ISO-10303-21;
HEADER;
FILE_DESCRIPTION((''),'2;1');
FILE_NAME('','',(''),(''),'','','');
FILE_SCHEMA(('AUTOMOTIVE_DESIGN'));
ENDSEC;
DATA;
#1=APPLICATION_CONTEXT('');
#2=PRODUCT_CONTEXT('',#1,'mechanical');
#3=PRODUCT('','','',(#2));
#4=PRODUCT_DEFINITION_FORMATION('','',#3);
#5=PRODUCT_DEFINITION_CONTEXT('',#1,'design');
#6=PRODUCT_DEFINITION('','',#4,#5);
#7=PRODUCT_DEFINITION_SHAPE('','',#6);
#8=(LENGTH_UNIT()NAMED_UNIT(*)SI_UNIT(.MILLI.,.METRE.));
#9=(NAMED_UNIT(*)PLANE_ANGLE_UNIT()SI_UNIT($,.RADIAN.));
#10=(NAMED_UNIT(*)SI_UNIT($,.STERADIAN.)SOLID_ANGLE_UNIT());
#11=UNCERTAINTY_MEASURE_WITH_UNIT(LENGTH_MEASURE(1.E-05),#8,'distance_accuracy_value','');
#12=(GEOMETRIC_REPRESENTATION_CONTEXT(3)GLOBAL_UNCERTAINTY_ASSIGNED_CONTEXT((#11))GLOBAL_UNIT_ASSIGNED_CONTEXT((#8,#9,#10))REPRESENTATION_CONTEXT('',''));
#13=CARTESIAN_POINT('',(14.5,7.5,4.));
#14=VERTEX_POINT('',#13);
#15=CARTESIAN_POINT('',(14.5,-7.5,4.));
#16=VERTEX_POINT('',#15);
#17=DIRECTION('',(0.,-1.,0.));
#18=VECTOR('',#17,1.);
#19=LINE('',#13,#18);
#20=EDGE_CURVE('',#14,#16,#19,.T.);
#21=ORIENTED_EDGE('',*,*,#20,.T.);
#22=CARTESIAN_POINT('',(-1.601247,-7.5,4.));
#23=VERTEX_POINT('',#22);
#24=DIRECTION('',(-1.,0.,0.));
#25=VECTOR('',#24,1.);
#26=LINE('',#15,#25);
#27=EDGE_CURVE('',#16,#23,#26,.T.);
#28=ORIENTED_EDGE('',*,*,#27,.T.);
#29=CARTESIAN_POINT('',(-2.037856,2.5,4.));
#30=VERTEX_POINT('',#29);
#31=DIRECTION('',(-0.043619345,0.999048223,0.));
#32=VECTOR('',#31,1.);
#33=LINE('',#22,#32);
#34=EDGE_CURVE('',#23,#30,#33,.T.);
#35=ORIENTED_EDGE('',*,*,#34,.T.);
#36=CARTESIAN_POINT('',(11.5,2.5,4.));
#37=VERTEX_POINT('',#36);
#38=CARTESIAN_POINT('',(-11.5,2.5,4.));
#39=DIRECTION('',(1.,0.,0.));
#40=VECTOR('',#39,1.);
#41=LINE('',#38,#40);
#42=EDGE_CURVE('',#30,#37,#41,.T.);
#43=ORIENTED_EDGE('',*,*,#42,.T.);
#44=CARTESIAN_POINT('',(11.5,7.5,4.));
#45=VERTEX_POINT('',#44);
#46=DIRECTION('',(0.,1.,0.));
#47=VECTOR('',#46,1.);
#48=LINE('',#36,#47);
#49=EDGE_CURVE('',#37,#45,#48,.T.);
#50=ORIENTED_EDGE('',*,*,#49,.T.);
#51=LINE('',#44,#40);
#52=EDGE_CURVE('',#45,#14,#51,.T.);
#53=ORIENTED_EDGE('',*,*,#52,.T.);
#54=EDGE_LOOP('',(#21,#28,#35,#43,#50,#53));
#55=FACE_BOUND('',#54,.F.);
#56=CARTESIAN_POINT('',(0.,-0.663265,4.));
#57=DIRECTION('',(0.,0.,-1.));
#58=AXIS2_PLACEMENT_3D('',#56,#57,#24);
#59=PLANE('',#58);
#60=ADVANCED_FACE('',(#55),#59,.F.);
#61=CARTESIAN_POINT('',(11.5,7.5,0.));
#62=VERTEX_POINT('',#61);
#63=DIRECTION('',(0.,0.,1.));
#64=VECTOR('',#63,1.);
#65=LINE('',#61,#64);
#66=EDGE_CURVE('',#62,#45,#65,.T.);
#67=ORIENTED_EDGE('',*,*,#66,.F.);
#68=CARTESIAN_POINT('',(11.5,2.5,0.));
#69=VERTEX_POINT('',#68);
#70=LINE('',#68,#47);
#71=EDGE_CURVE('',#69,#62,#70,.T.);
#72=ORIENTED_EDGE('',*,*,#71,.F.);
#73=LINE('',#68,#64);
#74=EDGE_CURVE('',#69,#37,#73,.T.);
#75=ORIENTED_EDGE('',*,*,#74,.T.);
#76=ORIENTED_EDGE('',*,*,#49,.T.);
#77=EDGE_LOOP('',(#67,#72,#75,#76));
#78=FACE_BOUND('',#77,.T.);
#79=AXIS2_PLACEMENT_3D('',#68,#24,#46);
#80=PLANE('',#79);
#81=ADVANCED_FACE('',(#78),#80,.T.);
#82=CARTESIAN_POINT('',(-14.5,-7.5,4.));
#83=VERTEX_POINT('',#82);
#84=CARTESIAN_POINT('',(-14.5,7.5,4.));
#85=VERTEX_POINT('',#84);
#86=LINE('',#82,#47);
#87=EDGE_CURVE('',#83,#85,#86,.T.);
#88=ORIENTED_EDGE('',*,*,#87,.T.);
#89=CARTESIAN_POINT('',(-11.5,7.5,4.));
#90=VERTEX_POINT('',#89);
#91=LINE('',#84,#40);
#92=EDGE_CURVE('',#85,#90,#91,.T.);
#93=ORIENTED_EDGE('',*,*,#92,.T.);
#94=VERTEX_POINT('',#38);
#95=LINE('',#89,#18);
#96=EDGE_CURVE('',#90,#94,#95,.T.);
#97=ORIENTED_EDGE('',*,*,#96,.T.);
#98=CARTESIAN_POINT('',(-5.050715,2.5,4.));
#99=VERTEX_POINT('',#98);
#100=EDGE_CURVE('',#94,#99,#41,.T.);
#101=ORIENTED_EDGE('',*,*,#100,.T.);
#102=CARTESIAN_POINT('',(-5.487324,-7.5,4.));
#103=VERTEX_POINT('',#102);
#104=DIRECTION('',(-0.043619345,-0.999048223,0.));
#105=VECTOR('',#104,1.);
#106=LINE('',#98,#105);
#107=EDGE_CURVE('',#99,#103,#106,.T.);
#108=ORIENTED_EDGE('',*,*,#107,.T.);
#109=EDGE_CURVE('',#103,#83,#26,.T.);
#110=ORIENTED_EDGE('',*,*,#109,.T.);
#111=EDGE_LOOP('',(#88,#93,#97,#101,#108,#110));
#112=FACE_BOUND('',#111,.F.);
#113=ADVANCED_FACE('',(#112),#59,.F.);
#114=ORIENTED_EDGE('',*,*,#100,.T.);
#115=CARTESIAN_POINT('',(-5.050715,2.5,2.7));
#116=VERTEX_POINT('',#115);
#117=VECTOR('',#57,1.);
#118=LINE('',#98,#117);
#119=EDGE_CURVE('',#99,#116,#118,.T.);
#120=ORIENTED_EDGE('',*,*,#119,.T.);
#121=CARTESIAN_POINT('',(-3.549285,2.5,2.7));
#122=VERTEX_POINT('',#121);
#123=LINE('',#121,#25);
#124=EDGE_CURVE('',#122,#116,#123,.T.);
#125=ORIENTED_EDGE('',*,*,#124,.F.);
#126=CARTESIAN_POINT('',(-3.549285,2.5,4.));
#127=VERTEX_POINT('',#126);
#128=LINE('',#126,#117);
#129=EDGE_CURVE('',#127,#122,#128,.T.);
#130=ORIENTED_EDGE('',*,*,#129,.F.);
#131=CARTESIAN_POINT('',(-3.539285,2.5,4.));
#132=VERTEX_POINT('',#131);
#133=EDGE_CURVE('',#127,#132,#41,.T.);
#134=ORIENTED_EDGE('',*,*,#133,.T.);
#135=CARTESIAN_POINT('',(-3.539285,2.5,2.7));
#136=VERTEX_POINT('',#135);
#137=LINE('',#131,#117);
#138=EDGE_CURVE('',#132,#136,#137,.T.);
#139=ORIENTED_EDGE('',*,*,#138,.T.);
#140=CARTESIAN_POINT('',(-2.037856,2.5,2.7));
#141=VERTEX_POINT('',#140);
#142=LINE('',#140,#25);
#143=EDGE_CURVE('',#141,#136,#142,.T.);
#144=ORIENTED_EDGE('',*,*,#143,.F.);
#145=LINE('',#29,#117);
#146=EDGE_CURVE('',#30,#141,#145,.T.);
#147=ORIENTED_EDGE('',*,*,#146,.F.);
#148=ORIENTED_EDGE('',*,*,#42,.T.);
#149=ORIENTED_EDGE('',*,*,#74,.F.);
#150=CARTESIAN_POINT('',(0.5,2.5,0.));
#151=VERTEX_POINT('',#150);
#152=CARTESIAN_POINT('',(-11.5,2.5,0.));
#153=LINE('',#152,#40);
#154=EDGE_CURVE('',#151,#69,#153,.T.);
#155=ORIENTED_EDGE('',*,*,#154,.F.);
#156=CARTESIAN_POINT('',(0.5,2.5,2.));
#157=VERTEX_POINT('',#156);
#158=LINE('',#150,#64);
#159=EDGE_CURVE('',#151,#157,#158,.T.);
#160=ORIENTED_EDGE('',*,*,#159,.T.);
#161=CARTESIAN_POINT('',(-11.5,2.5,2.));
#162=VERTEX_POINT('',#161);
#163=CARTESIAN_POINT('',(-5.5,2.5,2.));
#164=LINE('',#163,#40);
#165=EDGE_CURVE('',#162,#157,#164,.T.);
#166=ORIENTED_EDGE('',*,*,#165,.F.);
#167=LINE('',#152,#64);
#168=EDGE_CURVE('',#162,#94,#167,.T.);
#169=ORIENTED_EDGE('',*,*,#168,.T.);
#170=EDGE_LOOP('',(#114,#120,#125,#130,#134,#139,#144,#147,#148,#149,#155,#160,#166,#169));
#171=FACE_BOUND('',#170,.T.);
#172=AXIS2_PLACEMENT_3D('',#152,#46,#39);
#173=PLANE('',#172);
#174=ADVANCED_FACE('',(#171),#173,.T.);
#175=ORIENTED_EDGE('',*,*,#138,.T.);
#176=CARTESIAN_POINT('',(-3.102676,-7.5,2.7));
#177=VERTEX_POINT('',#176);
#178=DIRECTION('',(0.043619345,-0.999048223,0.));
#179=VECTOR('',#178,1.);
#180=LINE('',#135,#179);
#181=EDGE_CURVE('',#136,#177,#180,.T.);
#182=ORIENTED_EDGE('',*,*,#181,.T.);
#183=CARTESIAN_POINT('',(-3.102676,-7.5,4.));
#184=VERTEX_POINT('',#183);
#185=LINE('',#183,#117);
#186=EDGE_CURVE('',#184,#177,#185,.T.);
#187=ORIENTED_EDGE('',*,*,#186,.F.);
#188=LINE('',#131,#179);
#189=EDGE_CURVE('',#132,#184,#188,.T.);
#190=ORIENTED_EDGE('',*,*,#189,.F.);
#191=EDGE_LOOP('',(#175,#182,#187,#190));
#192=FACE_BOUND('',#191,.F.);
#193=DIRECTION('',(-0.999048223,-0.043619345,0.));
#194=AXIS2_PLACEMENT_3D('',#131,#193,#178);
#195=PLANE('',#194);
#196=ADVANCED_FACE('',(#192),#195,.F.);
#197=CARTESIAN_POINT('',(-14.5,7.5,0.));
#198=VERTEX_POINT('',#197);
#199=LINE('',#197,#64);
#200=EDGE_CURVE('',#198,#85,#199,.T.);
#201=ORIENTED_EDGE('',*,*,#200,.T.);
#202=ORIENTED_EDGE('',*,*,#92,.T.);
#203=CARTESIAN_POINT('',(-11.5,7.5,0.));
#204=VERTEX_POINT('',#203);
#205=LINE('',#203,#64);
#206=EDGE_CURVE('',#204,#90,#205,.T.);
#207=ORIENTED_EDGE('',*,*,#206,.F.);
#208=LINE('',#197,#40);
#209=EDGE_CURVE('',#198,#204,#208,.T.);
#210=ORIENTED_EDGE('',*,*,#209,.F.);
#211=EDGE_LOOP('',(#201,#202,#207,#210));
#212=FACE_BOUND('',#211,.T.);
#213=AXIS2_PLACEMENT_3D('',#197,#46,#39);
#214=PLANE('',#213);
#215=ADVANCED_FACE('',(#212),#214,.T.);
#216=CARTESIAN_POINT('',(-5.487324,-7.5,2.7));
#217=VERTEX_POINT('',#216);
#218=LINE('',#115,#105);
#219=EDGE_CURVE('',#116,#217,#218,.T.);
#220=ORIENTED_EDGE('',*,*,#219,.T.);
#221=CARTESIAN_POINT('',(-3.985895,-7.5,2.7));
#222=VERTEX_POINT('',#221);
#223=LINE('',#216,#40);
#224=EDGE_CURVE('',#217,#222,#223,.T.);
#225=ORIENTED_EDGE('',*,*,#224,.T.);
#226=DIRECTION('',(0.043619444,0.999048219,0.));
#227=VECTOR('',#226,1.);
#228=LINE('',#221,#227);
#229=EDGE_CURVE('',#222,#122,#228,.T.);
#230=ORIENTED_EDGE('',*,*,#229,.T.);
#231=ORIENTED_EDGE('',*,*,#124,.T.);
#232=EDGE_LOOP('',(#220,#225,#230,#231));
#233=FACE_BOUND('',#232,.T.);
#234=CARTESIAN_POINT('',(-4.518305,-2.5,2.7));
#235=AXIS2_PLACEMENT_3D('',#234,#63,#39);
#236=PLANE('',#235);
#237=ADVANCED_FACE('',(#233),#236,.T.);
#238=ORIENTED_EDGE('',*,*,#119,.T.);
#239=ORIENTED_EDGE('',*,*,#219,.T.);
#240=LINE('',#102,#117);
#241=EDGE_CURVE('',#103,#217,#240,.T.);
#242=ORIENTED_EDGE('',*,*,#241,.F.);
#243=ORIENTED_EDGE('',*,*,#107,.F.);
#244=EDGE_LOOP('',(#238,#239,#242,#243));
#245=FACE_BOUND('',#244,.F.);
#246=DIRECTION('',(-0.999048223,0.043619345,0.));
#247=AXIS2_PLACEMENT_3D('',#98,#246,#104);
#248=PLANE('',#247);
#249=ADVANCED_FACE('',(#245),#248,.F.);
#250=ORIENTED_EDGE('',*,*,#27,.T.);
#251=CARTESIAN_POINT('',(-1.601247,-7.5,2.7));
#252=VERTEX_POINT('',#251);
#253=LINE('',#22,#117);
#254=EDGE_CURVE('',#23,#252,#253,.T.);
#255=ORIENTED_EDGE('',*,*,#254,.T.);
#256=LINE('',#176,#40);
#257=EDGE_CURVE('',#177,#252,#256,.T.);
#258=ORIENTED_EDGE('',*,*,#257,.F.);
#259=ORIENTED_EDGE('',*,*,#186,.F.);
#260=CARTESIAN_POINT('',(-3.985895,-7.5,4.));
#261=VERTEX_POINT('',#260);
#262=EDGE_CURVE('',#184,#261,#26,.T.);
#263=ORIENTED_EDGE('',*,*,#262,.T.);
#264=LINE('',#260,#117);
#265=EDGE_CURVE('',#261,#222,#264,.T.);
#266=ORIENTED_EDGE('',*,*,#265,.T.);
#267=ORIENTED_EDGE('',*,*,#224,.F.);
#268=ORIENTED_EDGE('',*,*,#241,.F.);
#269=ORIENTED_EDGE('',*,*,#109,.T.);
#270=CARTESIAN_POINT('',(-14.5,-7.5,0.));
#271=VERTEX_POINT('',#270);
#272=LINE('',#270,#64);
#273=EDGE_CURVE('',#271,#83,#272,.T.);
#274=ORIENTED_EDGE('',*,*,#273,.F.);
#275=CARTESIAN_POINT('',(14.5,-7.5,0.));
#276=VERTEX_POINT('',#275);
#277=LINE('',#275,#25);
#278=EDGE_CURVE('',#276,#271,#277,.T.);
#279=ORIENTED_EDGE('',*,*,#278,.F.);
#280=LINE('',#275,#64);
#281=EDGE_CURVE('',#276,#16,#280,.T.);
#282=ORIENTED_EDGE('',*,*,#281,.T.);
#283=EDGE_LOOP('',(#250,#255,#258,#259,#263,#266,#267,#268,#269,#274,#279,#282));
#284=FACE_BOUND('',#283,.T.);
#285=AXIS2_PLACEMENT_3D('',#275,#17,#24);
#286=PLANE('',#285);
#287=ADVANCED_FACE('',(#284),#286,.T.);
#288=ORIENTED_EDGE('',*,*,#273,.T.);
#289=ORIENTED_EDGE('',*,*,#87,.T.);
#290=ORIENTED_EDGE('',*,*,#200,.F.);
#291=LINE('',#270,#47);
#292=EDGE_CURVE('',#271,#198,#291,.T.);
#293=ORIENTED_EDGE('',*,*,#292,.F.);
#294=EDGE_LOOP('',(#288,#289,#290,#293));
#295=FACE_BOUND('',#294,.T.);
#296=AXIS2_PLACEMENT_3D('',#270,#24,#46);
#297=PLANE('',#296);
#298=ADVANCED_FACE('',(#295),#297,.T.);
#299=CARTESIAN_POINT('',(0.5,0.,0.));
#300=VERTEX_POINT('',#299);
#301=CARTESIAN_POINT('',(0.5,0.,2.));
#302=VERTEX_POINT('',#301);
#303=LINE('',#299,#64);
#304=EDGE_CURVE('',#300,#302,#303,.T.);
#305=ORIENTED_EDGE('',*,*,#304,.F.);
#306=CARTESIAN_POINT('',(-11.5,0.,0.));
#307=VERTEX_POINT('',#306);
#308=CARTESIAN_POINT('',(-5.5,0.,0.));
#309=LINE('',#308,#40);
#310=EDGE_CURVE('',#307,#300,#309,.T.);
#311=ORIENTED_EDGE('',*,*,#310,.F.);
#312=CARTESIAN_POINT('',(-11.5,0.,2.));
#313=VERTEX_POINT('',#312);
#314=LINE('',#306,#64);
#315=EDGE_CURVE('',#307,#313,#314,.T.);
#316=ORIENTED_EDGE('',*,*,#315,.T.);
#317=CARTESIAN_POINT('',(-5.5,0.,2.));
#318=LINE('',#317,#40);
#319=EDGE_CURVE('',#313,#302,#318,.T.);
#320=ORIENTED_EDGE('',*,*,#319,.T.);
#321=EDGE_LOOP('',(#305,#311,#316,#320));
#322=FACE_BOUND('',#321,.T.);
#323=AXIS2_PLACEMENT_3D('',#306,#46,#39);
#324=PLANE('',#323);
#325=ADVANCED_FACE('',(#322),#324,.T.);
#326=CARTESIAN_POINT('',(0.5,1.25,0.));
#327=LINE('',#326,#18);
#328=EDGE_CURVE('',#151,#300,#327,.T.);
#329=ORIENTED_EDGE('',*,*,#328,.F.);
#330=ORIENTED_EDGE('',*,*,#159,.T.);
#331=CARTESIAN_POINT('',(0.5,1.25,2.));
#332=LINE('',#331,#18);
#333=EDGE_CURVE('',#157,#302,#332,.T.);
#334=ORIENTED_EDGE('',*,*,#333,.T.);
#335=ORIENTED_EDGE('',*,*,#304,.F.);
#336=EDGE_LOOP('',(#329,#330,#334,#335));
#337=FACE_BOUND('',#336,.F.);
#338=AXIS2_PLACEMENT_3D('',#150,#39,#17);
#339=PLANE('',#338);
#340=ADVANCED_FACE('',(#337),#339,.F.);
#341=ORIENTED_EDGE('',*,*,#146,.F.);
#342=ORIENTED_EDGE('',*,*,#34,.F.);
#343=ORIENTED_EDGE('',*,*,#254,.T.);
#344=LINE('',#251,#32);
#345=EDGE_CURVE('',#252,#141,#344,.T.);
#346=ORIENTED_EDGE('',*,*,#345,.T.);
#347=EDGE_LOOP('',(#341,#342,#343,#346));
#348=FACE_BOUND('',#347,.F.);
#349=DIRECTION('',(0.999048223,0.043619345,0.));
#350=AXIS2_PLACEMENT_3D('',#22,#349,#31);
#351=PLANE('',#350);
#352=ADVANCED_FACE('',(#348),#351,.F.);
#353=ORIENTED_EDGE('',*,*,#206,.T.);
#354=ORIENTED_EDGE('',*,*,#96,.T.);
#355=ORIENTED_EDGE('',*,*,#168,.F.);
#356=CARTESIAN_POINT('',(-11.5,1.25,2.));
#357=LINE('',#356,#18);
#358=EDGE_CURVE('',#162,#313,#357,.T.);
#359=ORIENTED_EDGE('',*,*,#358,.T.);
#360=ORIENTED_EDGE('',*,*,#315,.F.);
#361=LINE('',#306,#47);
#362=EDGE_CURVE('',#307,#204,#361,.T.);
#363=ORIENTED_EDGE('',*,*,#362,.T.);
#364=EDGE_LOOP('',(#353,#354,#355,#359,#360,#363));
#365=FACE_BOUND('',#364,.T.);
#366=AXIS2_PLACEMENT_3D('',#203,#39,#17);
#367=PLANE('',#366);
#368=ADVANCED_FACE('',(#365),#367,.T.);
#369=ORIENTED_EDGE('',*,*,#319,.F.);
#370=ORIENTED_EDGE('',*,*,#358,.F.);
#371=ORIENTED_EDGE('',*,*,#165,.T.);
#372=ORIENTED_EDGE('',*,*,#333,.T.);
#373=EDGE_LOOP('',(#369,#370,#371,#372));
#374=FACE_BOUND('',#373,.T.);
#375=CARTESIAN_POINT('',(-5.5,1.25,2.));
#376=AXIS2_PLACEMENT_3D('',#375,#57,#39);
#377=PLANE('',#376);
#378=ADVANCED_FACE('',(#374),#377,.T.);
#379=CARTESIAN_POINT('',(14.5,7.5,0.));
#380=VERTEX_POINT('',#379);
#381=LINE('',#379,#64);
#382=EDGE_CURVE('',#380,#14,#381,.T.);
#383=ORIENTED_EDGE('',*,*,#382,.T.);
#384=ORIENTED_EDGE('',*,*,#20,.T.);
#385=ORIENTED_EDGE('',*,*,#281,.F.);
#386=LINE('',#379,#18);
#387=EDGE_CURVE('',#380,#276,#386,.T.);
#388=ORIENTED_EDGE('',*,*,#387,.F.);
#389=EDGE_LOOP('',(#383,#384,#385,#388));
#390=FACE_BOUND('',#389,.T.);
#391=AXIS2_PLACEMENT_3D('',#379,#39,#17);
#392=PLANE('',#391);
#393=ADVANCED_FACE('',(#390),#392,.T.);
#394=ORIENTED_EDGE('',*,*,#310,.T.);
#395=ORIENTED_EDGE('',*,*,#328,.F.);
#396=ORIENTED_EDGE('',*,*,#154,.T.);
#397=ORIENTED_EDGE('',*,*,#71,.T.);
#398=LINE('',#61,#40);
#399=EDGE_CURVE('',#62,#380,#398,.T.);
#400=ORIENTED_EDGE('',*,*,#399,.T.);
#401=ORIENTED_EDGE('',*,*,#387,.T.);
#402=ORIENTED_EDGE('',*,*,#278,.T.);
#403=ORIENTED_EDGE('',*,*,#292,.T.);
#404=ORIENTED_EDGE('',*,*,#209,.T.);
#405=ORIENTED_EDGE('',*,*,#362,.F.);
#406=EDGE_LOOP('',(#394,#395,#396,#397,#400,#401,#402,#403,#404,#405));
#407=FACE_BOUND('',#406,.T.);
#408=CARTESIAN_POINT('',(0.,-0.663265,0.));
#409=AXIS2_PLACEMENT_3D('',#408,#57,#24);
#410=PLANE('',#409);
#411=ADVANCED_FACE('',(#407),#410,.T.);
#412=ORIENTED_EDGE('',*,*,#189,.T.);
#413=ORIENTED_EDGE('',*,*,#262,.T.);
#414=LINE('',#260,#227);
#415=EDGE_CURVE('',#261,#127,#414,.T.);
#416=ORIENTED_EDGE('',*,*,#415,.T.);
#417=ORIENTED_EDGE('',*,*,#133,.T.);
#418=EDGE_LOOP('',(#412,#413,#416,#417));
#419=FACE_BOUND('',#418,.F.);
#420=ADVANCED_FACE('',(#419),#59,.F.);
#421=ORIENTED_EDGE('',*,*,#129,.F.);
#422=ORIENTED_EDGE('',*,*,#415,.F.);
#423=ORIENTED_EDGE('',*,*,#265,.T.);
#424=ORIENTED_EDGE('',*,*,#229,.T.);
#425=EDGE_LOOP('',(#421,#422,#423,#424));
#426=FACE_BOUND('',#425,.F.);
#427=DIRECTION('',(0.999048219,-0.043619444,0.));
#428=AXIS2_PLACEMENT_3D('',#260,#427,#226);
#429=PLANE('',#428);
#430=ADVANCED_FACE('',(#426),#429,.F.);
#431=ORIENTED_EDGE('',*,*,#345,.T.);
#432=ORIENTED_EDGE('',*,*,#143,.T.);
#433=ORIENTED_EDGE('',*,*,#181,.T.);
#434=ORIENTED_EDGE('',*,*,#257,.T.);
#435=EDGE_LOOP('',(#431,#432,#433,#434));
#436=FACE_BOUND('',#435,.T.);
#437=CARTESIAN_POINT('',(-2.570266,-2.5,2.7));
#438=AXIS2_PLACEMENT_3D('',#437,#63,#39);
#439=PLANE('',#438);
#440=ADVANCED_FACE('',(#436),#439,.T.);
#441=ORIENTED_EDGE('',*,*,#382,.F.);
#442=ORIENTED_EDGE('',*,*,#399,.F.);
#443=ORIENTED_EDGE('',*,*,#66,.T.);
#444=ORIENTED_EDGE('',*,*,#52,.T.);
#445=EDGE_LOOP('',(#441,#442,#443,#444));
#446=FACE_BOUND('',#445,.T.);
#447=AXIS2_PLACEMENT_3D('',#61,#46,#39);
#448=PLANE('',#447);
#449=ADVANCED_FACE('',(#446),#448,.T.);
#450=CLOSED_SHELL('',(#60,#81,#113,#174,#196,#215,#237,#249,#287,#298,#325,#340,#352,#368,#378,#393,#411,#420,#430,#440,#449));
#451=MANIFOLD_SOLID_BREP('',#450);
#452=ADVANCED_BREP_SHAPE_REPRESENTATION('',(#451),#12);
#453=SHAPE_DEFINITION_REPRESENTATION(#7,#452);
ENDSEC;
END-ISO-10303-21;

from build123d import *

# Parameters (mm, degrees)
PAD_DEPTH       = 4
SKETCH001_W     = 12
SKETCH001_H     = 2.5
POCKET_DEPTH    = 2
POCKET001_DEPTH = 1.3


with BuildPart() as part:
    # Sketch → Pad (new body)
    with BuildSketch(Plane.XY):
        Polygon((-14.5, 7.5), (-11.5, 7.5), (-11.5, 2.5), (11.5, 2.5), (11.5, 7.5), (14.5, 7.5), (14.5, -7.5), (-14.5, -7.5), align=None)
    extrude(amount=PAD_DEPTH)

    # Sketch001 (on Face9 of Pad) → Pocket (cut)
    with BuildSketch(Plane(origin=(0, 0, 0), x_dir=(1, 0, 0), z_dir=(0, 0, -1))):
        with Locations((-5.5, -1.25)):
            Rectangle(SKETCH001_W, SKETCH001_H)
    extrude(amount=-POCKET_DEPTH, mode=Mode.SUBTRACT)

    # Sketch002 (on Face5 of Pocket) → Pocket001 (cut)
    with BuildSketch(Plane.XY.offset(4)):
        Polygon((-5.050715, 2.5), (-5.487324, -7.5), (-3.985895, -7.5), (-3.549285, 2.5), align=None)
        Polygon((-3.539285, 2.5), (-3.102676, -7.5), (-1.601247, -7.5), (-2.037856, 2.5), align=None)
    extrude(amount=-POCKET001_DEPTH, mode=Mode.SUBTRACT)


solid = part.part
